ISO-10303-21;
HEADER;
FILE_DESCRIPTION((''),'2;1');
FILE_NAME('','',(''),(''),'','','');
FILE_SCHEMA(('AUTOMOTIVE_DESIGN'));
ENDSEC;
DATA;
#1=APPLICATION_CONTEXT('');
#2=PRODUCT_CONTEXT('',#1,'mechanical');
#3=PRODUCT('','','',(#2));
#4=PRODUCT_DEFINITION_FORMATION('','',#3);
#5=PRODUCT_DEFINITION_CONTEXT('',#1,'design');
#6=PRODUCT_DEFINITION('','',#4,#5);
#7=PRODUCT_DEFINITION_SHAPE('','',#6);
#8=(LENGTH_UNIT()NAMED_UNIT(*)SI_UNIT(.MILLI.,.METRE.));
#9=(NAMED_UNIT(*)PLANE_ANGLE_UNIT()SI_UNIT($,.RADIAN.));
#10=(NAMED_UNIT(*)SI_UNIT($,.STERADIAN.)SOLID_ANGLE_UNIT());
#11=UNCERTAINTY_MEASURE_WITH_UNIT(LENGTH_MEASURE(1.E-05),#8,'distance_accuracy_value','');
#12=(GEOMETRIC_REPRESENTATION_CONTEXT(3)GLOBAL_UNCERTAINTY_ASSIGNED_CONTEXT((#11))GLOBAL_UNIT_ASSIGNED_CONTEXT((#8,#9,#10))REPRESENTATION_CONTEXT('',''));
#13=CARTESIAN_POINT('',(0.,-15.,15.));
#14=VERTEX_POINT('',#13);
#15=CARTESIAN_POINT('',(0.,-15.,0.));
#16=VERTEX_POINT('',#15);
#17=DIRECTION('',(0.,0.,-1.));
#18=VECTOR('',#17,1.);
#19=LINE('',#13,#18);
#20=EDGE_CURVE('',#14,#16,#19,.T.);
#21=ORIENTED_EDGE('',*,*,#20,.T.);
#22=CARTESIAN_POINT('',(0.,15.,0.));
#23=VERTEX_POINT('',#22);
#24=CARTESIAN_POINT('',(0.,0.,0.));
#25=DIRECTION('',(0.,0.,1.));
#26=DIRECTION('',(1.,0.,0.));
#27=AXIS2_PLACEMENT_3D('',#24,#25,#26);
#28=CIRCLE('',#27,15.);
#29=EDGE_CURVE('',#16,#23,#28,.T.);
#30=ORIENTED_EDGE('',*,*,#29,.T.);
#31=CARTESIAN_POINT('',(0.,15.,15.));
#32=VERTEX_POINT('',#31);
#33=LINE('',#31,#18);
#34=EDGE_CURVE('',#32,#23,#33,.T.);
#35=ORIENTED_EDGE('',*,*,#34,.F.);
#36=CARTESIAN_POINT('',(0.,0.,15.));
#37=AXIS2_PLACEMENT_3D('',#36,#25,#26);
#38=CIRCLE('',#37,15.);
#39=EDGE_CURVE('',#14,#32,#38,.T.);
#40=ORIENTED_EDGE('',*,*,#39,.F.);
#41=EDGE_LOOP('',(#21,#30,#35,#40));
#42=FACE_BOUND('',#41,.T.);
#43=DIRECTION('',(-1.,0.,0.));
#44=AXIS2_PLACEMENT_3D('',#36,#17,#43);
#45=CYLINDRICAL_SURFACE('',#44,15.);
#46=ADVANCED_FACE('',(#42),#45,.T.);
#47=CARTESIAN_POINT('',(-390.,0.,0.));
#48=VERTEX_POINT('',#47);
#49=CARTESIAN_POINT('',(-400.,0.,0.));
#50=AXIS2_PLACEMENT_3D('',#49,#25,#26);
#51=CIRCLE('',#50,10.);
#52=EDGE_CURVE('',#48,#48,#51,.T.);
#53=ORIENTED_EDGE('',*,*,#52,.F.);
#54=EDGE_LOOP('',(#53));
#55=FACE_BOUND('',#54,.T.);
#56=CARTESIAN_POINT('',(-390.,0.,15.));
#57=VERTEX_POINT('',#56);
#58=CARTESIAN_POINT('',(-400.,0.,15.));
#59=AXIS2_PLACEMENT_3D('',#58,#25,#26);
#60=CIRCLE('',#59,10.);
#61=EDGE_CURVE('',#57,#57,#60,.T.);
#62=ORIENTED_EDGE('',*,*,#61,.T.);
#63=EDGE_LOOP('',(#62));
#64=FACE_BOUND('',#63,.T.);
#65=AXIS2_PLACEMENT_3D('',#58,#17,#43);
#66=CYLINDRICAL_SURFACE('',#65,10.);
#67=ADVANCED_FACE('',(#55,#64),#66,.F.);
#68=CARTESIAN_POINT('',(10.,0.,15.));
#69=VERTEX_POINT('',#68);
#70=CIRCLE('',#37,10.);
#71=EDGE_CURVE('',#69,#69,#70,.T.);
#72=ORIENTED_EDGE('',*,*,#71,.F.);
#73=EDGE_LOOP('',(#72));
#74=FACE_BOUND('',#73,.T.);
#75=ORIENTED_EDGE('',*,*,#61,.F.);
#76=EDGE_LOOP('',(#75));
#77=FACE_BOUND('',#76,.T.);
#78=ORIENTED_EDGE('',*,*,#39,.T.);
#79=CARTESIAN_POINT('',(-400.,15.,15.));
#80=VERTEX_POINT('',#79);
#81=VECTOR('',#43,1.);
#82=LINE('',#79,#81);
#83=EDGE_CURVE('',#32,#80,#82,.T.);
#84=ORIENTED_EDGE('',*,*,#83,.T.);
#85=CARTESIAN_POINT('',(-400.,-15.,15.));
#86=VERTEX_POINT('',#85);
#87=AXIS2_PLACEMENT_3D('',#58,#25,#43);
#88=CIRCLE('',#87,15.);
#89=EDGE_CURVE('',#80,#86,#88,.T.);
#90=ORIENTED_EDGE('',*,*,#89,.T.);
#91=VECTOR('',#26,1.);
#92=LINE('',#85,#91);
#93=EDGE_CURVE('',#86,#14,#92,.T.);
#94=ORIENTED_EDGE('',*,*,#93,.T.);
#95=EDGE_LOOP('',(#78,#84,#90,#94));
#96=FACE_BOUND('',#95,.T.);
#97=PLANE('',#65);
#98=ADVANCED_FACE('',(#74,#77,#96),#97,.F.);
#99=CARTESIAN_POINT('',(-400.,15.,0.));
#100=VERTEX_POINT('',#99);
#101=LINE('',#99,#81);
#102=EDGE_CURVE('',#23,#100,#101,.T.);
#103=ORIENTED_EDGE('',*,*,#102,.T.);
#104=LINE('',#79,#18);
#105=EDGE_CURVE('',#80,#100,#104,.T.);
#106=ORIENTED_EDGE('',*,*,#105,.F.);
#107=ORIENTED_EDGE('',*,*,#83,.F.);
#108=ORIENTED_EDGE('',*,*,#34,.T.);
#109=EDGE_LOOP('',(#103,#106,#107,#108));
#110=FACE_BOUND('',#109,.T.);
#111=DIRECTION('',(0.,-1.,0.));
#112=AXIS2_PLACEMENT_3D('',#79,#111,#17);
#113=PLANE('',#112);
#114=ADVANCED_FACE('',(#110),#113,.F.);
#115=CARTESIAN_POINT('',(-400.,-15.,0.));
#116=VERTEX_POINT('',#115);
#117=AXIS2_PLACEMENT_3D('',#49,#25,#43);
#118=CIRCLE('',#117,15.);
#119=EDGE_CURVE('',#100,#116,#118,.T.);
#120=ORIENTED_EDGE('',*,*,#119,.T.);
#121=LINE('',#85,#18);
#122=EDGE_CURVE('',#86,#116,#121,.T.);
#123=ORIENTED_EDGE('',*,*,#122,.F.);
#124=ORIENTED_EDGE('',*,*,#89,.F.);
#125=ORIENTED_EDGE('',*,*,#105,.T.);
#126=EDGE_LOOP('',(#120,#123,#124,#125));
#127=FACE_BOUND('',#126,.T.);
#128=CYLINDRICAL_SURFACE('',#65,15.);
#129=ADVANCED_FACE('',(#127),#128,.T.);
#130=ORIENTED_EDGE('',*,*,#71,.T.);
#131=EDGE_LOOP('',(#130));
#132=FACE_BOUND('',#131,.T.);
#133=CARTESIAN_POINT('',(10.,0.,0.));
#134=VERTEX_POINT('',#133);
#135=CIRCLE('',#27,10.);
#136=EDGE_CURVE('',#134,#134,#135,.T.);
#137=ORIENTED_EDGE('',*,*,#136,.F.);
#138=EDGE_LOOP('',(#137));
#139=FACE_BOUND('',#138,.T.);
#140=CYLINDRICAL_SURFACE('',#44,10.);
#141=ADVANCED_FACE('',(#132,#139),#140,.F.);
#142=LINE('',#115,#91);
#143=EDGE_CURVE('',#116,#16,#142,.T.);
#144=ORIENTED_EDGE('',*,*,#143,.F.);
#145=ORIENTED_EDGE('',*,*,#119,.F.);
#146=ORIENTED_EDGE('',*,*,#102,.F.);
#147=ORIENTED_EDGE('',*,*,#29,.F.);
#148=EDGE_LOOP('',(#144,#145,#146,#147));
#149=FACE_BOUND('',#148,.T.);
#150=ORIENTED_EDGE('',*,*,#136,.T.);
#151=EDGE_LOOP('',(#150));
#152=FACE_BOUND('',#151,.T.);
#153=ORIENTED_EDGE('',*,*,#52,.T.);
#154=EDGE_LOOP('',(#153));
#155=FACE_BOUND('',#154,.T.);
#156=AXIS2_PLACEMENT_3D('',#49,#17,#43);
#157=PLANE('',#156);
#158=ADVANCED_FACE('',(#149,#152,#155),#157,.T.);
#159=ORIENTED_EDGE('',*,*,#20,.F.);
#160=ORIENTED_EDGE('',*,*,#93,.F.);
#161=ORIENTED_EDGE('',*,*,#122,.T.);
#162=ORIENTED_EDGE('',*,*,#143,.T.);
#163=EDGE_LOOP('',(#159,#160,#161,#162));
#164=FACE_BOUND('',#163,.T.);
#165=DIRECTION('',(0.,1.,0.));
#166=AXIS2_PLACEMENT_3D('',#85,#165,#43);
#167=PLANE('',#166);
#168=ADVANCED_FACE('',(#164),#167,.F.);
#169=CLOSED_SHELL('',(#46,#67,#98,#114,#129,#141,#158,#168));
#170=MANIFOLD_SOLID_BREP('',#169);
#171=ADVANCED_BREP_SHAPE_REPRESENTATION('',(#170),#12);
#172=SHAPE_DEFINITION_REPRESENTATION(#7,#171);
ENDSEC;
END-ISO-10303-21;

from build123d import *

# Parameters (mm, degrees)
SKETCH1_R      = 10
EXTRUDE1_DEPTH = 15


with BuildPart() as part:
    # Sketch1 → Extrude1 (new body)
    with BuildSketch(Plane.XY):
        with BuildLine():
            Line((-400, 15), (0, 15))
            ThreePointArc((0, 15), (15, 0), (0, -15))
            Line((0, -15), (-400, -15))
            ThreePointArc((-400, -15), (-415, 0), (-400, 15))
        make_face()
        with Locations((-400, 0)):
            Circle(SKETCH1_R, mode=Mode.SUBTRACT)
        Circle(SKETCH1_R, mode=Mode.SUBTRACT)
    extrude(amount=EXTRUDE1_DEPTH)


solid = part.part
